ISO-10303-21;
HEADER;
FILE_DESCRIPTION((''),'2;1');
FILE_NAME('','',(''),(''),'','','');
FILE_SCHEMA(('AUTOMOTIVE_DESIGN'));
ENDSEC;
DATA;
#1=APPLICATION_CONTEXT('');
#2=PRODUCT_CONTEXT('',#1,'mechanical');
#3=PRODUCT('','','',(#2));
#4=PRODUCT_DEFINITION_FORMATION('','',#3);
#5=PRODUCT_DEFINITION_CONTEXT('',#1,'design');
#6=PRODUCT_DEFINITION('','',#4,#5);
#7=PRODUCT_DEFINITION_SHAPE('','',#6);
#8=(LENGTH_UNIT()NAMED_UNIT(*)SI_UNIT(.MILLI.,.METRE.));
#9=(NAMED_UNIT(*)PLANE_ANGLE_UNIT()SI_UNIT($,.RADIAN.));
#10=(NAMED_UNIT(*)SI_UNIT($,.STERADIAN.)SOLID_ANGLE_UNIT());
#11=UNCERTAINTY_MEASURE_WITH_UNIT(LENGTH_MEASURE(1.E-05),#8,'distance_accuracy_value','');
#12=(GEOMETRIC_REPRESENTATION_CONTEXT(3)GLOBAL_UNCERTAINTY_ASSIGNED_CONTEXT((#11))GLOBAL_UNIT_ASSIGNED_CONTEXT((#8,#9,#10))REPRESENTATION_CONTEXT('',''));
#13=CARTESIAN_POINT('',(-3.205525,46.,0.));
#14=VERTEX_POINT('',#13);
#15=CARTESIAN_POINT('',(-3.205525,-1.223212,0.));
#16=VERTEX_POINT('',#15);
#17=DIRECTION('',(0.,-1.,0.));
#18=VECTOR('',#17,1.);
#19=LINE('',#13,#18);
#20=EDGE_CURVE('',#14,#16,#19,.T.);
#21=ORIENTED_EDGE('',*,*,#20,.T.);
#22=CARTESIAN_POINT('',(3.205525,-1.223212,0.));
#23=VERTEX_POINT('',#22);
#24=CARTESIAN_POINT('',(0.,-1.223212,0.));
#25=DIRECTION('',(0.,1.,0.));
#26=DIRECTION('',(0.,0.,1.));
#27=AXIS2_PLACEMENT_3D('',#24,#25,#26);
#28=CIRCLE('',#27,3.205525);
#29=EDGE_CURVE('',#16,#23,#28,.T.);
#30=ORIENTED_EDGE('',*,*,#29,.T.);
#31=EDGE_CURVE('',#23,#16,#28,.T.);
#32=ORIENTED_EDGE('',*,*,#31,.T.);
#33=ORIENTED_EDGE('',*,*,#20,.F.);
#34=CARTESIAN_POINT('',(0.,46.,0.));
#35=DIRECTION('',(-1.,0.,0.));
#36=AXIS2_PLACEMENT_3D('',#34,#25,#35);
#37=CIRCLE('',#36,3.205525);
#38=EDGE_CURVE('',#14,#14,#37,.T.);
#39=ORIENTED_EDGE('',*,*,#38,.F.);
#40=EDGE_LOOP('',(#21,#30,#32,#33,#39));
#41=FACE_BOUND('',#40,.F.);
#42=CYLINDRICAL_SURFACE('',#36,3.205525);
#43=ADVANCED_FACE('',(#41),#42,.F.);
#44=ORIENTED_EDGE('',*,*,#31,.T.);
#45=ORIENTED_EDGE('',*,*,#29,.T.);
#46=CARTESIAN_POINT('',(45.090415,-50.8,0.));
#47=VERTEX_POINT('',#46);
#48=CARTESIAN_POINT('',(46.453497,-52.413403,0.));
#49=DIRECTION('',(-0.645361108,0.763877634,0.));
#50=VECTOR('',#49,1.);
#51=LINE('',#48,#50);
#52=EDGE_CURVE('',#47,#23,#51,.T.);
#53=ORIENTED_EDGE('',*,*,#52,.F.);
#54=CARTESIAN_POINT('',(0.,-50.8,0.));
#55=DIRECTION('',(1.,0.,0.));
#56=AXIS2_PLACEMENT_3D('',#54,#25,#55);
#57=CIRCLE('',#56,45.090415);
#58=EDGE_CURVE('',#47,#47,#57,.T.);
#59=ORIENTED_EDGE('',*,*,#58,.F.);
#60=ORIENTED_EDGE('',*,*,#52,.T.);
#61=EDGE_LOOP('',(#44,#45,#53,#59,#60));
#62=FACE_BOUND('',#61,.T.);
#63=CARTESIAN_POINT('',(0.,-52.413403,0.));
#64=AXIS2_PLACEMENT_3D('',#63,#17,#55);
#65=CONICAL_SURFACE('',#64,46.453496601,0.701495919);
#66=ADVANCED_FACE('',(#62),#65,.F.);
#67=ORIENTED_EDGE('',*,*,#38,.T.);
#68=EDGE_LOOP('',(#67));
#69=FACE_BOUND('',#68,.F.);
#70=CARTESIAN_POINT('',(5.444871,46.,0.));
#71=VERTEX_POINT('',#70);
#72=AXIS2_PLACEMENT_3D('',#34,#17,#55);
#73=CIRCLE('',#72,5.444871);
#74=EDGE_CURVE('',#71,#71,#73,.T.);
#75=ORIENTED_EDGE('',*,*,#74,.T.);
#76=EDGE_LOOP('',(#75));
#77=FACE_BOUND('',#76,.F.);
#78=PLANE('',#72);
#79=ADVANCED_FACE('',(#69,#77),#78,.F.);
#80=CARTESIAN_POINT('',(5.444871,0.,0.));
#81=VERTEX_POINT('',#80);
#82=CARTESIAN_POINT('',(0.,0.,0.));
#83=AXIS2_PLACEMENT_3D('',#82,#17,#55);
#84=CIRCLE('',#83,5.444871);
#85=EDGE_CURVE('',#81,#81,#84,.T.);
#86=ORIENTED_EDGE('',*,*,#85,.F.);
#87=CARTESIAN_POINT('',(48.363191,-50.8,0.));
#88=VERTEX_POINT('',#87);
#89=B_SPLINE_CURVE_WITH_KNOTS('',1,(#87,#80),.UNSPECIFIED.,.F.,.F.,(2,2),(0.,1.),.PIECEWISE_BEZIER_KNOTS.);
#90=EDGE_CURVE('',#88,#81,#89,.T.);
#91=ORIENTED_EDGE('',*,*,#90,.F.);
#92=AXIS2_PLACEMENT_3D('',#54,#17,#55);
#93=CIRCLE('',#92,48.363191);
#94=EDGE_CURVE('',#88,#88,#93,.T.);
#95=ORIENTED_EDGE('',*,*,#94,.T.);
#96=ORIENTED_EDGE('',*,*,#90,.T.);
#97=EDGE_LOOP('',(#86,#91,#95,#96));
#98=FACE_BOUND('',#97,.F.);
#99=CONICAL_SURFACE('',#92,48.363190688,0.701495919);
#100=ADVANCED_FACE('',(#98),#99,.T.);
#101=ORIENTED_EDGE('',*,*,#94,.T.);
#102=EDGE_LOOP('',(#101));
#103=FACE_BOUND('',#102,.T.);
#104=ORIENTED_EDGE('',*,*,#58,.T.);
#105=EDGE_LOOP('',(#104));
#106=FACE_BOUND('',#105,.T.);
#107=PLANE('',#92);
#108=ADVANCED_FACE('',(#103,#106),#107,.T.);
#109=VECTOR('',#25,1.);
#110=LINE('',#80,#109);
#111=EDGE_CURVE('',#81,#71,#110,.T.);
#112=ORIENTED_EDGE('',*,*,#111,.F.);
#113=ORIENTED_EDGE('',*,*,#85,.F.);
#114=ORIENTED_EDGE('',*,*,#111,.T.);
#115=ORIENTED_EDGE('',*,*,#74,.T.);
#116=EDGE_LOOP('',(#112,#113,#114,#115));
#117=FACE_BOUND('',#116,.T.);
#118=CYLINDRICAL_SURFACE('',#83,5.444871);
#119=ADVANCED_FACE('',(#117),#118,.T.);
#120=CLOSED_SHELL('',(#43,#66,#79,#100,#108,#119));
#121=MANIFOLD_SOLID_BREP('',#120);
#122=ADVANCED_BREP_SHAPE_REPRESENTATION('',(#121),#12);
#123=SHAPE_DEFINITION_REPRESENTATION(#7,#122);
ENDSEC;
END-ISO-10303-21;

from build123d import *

# Parameters (mm, degrees)
F0_R      = 5.4448713035
F1_DEPTH  = 46
F3_R      = 48.3631906875
F1_FACE_R = 5.4448713035
F5_T      = -2.5
F6_R      = 3.2055252898
F7_DEPTH  = 96.8010001


with BuildPart() as f1:
    # F0 (on Front) → F1 (new body)
    with BuildSketch(Plane.XZ):
        Circle(F0_R)
    extrude(amount=-F1_DEPTH)

    # F3 (on offset) → F4 section 0
    with BuildSketch(Plane.XZ.offset(50.8)):
        Circle(F3_R)
    # F1_face (on face) → F4 section 1
    with BuildSketch(Plane.XZ):
        Circle(F1_FACE_R)
    loft()

    # F5
    f5_openings = [f1.faces().sort_by_distance(p)[0] for p in [
        (0, -50.8, 0),
    ]]
    offset(amount=F5_T, openings=f5_openings, kind=Kind.INTERSECTION)

    # F6 (on face) → F7 (cut, through all)
    with BuildSketch(Plane(origin=(0, 46, 0), x_dir=(-1, 0, 0), z_dir=(0, 1, 0))):
        Circle(F6_R)
    extrude(amount=-F7_DEPTH, mode=Mode.SUBTRACT)


solid = f1.part
